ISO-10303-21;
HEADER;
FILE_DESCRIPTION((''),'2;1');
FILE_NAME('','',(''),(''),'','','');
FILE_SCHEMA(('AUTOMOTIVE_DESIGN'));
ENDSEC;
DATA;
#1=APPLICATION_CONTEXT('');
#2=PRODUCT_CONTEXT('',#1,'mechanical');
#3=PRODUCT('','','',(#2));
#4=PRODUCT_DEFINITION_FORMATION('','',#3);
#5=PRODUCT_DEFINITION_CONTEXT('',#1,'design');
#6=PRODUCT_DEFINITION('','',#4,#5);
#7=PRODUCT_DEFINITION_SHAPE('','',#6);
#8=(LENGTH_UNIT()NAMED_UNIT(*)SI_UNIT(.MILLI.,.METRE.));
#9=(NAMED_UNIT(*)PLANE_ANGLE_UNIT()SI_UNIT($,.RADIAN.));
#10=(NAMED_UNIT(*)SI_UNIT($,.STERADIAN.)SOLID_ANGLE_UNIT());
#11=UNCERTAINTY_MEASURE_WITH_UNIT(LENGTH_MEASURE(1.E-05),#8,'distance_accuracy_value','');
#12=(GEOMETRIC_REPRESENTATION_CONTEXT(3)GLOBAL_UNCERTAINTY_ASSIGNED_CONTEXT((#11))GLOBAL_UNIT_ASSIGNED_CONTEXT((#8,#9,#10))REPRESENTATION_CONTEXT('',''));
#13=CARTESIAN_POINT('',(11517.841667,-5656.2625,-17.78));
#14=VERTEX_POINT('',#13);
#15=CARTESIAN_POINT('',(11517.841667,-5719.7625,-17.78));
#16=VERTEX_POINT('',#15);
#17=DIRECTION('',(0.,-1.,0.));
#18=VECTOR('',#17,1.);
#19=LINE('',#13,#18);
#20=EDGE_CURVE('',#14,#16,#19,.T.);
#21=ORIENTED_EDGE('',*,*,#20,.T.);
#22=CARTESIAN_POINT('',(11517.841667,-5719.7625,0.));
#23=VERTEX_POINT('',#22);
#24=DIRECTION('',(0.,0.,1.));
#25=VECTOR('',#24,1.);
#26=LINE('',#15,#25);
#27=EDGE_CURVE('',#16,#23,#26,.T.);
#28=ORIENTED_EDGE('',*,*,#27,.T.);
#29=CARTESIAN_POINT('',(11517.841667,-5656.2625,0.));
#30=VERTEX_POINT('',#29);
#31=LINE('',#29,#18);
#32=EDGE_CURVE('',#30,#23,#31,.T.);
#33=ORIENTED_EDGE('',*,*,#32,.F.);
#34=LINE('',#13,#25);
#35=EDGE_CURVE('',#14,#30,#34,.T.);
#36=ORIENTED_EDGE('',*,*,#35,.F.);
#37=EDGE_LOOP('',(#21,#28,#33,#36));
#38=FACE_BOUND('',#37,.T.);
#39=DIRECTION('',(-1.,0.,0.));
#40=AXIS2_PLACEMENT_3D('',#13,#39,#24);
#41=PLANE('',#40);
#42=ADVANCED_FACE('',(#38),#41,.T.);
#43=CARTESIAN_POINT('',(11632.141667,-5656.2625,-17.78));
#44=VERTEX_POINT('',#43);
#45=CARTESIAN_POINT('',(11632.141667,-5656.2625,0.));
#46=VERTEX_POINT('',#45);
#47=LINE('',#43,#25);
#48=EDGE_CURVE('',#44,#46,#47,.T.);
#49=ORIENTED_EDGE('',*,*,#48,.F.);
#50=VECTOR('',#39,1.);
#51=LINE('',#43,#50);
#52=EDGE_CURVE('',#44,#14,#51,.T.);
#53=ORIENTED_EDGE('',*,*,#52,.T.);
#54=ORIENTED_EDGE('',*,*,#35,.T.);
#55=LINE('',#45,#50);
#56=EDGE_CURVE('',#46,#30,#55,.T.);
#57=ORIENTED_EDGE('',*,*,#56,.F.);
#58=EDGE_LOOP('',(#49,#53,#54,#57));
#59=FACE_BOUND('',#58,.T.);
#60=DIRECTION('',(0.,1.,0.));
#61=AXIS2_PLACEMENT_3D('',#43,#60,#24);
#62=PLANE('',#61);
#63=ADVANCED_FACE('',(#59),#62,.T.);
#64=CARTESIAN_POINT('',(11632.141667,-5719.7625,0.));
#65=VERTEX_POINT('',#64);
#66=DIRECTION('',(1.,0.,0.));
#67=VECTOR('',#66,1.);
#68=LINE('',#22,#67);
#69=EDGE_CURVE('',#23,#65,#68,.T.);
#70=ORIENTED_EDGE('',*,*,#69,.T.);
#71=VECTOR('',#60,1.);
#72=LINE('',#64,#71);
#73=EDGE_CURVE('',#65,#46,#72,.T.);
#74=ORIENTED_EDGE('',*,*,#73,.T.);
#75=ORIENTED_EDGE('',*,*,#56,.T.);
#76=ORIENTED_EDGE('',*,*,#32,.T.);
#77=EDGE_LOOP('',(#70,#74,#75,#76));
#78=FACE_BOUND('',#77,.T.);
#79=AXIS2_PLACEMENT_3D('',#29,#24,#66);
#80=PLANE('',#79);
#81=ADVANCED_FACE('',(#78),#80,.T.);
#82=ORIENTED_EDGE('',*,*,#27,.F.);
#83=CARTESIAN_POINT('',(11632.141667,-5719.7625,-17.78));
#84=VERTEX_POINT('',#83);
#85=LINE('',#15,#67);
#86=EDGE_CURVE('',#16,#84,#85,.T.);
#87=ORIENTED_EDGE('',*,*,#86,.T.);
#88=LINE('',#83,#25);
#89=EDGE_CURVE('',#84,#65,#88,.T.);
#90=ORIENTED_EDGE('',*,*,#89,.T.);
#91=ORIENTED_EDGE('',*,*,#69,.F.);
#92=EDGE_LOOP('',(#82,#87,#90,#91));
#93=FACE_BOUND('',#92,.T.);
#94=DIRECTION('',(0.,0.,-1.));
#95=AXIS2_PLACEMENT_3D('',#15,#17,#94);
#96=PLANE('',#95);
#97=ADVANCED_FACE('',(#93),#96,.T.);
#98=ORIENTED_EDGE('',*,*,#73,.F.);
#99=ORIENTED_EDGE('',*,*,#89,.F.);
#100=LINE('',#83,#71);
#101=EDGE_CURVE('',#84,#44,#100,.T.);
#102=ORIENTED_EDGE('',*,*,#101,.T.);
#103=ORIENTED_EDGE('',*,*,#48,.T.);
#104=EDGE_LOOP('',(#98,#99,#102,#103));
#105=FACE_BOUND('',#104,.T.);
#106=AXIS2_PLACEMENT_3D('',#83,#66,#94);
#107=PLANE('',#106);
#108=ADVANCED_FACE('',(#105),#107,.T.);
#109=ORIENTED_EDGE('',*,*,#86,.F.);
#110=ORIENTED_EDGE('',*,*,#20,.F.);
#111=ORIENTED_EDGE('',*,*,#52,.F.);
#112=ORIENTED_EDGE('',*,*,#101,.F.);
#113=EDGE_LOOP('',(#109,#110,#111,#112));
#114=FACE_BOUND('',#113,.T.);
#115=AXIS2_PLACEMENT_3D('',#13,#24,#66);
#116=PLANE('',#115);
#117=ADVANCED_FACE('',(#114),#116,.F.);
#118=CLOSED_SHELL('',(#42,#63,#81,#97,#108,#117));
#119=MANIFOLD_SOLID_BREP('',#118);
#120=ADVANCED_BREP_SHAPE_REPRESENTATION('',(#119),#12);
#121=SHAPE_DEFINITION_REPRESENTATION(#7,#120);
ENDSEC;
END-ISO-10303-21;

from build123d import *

# Parameters (mm, degrees)
PEDOUTLINE_W               = 114.3
PEDOUTLINE_H               = 63.5
PEDOUTLINE_THICKNESS_DEPTH = 17.78


with BuildPart() as part:
    # PedOutline → PedOutline_Thickness (new body)
    with BuildSketch(Plane.XY):
        with Locations((11574.991666666, -5688.0125)):
            Rectangle(PEDOUTLINE_W, PEDOUTLINE_H)
    extrude(amount=-PEDOUTLINE_THICKNESS_DEPTH)


solid = part.part
